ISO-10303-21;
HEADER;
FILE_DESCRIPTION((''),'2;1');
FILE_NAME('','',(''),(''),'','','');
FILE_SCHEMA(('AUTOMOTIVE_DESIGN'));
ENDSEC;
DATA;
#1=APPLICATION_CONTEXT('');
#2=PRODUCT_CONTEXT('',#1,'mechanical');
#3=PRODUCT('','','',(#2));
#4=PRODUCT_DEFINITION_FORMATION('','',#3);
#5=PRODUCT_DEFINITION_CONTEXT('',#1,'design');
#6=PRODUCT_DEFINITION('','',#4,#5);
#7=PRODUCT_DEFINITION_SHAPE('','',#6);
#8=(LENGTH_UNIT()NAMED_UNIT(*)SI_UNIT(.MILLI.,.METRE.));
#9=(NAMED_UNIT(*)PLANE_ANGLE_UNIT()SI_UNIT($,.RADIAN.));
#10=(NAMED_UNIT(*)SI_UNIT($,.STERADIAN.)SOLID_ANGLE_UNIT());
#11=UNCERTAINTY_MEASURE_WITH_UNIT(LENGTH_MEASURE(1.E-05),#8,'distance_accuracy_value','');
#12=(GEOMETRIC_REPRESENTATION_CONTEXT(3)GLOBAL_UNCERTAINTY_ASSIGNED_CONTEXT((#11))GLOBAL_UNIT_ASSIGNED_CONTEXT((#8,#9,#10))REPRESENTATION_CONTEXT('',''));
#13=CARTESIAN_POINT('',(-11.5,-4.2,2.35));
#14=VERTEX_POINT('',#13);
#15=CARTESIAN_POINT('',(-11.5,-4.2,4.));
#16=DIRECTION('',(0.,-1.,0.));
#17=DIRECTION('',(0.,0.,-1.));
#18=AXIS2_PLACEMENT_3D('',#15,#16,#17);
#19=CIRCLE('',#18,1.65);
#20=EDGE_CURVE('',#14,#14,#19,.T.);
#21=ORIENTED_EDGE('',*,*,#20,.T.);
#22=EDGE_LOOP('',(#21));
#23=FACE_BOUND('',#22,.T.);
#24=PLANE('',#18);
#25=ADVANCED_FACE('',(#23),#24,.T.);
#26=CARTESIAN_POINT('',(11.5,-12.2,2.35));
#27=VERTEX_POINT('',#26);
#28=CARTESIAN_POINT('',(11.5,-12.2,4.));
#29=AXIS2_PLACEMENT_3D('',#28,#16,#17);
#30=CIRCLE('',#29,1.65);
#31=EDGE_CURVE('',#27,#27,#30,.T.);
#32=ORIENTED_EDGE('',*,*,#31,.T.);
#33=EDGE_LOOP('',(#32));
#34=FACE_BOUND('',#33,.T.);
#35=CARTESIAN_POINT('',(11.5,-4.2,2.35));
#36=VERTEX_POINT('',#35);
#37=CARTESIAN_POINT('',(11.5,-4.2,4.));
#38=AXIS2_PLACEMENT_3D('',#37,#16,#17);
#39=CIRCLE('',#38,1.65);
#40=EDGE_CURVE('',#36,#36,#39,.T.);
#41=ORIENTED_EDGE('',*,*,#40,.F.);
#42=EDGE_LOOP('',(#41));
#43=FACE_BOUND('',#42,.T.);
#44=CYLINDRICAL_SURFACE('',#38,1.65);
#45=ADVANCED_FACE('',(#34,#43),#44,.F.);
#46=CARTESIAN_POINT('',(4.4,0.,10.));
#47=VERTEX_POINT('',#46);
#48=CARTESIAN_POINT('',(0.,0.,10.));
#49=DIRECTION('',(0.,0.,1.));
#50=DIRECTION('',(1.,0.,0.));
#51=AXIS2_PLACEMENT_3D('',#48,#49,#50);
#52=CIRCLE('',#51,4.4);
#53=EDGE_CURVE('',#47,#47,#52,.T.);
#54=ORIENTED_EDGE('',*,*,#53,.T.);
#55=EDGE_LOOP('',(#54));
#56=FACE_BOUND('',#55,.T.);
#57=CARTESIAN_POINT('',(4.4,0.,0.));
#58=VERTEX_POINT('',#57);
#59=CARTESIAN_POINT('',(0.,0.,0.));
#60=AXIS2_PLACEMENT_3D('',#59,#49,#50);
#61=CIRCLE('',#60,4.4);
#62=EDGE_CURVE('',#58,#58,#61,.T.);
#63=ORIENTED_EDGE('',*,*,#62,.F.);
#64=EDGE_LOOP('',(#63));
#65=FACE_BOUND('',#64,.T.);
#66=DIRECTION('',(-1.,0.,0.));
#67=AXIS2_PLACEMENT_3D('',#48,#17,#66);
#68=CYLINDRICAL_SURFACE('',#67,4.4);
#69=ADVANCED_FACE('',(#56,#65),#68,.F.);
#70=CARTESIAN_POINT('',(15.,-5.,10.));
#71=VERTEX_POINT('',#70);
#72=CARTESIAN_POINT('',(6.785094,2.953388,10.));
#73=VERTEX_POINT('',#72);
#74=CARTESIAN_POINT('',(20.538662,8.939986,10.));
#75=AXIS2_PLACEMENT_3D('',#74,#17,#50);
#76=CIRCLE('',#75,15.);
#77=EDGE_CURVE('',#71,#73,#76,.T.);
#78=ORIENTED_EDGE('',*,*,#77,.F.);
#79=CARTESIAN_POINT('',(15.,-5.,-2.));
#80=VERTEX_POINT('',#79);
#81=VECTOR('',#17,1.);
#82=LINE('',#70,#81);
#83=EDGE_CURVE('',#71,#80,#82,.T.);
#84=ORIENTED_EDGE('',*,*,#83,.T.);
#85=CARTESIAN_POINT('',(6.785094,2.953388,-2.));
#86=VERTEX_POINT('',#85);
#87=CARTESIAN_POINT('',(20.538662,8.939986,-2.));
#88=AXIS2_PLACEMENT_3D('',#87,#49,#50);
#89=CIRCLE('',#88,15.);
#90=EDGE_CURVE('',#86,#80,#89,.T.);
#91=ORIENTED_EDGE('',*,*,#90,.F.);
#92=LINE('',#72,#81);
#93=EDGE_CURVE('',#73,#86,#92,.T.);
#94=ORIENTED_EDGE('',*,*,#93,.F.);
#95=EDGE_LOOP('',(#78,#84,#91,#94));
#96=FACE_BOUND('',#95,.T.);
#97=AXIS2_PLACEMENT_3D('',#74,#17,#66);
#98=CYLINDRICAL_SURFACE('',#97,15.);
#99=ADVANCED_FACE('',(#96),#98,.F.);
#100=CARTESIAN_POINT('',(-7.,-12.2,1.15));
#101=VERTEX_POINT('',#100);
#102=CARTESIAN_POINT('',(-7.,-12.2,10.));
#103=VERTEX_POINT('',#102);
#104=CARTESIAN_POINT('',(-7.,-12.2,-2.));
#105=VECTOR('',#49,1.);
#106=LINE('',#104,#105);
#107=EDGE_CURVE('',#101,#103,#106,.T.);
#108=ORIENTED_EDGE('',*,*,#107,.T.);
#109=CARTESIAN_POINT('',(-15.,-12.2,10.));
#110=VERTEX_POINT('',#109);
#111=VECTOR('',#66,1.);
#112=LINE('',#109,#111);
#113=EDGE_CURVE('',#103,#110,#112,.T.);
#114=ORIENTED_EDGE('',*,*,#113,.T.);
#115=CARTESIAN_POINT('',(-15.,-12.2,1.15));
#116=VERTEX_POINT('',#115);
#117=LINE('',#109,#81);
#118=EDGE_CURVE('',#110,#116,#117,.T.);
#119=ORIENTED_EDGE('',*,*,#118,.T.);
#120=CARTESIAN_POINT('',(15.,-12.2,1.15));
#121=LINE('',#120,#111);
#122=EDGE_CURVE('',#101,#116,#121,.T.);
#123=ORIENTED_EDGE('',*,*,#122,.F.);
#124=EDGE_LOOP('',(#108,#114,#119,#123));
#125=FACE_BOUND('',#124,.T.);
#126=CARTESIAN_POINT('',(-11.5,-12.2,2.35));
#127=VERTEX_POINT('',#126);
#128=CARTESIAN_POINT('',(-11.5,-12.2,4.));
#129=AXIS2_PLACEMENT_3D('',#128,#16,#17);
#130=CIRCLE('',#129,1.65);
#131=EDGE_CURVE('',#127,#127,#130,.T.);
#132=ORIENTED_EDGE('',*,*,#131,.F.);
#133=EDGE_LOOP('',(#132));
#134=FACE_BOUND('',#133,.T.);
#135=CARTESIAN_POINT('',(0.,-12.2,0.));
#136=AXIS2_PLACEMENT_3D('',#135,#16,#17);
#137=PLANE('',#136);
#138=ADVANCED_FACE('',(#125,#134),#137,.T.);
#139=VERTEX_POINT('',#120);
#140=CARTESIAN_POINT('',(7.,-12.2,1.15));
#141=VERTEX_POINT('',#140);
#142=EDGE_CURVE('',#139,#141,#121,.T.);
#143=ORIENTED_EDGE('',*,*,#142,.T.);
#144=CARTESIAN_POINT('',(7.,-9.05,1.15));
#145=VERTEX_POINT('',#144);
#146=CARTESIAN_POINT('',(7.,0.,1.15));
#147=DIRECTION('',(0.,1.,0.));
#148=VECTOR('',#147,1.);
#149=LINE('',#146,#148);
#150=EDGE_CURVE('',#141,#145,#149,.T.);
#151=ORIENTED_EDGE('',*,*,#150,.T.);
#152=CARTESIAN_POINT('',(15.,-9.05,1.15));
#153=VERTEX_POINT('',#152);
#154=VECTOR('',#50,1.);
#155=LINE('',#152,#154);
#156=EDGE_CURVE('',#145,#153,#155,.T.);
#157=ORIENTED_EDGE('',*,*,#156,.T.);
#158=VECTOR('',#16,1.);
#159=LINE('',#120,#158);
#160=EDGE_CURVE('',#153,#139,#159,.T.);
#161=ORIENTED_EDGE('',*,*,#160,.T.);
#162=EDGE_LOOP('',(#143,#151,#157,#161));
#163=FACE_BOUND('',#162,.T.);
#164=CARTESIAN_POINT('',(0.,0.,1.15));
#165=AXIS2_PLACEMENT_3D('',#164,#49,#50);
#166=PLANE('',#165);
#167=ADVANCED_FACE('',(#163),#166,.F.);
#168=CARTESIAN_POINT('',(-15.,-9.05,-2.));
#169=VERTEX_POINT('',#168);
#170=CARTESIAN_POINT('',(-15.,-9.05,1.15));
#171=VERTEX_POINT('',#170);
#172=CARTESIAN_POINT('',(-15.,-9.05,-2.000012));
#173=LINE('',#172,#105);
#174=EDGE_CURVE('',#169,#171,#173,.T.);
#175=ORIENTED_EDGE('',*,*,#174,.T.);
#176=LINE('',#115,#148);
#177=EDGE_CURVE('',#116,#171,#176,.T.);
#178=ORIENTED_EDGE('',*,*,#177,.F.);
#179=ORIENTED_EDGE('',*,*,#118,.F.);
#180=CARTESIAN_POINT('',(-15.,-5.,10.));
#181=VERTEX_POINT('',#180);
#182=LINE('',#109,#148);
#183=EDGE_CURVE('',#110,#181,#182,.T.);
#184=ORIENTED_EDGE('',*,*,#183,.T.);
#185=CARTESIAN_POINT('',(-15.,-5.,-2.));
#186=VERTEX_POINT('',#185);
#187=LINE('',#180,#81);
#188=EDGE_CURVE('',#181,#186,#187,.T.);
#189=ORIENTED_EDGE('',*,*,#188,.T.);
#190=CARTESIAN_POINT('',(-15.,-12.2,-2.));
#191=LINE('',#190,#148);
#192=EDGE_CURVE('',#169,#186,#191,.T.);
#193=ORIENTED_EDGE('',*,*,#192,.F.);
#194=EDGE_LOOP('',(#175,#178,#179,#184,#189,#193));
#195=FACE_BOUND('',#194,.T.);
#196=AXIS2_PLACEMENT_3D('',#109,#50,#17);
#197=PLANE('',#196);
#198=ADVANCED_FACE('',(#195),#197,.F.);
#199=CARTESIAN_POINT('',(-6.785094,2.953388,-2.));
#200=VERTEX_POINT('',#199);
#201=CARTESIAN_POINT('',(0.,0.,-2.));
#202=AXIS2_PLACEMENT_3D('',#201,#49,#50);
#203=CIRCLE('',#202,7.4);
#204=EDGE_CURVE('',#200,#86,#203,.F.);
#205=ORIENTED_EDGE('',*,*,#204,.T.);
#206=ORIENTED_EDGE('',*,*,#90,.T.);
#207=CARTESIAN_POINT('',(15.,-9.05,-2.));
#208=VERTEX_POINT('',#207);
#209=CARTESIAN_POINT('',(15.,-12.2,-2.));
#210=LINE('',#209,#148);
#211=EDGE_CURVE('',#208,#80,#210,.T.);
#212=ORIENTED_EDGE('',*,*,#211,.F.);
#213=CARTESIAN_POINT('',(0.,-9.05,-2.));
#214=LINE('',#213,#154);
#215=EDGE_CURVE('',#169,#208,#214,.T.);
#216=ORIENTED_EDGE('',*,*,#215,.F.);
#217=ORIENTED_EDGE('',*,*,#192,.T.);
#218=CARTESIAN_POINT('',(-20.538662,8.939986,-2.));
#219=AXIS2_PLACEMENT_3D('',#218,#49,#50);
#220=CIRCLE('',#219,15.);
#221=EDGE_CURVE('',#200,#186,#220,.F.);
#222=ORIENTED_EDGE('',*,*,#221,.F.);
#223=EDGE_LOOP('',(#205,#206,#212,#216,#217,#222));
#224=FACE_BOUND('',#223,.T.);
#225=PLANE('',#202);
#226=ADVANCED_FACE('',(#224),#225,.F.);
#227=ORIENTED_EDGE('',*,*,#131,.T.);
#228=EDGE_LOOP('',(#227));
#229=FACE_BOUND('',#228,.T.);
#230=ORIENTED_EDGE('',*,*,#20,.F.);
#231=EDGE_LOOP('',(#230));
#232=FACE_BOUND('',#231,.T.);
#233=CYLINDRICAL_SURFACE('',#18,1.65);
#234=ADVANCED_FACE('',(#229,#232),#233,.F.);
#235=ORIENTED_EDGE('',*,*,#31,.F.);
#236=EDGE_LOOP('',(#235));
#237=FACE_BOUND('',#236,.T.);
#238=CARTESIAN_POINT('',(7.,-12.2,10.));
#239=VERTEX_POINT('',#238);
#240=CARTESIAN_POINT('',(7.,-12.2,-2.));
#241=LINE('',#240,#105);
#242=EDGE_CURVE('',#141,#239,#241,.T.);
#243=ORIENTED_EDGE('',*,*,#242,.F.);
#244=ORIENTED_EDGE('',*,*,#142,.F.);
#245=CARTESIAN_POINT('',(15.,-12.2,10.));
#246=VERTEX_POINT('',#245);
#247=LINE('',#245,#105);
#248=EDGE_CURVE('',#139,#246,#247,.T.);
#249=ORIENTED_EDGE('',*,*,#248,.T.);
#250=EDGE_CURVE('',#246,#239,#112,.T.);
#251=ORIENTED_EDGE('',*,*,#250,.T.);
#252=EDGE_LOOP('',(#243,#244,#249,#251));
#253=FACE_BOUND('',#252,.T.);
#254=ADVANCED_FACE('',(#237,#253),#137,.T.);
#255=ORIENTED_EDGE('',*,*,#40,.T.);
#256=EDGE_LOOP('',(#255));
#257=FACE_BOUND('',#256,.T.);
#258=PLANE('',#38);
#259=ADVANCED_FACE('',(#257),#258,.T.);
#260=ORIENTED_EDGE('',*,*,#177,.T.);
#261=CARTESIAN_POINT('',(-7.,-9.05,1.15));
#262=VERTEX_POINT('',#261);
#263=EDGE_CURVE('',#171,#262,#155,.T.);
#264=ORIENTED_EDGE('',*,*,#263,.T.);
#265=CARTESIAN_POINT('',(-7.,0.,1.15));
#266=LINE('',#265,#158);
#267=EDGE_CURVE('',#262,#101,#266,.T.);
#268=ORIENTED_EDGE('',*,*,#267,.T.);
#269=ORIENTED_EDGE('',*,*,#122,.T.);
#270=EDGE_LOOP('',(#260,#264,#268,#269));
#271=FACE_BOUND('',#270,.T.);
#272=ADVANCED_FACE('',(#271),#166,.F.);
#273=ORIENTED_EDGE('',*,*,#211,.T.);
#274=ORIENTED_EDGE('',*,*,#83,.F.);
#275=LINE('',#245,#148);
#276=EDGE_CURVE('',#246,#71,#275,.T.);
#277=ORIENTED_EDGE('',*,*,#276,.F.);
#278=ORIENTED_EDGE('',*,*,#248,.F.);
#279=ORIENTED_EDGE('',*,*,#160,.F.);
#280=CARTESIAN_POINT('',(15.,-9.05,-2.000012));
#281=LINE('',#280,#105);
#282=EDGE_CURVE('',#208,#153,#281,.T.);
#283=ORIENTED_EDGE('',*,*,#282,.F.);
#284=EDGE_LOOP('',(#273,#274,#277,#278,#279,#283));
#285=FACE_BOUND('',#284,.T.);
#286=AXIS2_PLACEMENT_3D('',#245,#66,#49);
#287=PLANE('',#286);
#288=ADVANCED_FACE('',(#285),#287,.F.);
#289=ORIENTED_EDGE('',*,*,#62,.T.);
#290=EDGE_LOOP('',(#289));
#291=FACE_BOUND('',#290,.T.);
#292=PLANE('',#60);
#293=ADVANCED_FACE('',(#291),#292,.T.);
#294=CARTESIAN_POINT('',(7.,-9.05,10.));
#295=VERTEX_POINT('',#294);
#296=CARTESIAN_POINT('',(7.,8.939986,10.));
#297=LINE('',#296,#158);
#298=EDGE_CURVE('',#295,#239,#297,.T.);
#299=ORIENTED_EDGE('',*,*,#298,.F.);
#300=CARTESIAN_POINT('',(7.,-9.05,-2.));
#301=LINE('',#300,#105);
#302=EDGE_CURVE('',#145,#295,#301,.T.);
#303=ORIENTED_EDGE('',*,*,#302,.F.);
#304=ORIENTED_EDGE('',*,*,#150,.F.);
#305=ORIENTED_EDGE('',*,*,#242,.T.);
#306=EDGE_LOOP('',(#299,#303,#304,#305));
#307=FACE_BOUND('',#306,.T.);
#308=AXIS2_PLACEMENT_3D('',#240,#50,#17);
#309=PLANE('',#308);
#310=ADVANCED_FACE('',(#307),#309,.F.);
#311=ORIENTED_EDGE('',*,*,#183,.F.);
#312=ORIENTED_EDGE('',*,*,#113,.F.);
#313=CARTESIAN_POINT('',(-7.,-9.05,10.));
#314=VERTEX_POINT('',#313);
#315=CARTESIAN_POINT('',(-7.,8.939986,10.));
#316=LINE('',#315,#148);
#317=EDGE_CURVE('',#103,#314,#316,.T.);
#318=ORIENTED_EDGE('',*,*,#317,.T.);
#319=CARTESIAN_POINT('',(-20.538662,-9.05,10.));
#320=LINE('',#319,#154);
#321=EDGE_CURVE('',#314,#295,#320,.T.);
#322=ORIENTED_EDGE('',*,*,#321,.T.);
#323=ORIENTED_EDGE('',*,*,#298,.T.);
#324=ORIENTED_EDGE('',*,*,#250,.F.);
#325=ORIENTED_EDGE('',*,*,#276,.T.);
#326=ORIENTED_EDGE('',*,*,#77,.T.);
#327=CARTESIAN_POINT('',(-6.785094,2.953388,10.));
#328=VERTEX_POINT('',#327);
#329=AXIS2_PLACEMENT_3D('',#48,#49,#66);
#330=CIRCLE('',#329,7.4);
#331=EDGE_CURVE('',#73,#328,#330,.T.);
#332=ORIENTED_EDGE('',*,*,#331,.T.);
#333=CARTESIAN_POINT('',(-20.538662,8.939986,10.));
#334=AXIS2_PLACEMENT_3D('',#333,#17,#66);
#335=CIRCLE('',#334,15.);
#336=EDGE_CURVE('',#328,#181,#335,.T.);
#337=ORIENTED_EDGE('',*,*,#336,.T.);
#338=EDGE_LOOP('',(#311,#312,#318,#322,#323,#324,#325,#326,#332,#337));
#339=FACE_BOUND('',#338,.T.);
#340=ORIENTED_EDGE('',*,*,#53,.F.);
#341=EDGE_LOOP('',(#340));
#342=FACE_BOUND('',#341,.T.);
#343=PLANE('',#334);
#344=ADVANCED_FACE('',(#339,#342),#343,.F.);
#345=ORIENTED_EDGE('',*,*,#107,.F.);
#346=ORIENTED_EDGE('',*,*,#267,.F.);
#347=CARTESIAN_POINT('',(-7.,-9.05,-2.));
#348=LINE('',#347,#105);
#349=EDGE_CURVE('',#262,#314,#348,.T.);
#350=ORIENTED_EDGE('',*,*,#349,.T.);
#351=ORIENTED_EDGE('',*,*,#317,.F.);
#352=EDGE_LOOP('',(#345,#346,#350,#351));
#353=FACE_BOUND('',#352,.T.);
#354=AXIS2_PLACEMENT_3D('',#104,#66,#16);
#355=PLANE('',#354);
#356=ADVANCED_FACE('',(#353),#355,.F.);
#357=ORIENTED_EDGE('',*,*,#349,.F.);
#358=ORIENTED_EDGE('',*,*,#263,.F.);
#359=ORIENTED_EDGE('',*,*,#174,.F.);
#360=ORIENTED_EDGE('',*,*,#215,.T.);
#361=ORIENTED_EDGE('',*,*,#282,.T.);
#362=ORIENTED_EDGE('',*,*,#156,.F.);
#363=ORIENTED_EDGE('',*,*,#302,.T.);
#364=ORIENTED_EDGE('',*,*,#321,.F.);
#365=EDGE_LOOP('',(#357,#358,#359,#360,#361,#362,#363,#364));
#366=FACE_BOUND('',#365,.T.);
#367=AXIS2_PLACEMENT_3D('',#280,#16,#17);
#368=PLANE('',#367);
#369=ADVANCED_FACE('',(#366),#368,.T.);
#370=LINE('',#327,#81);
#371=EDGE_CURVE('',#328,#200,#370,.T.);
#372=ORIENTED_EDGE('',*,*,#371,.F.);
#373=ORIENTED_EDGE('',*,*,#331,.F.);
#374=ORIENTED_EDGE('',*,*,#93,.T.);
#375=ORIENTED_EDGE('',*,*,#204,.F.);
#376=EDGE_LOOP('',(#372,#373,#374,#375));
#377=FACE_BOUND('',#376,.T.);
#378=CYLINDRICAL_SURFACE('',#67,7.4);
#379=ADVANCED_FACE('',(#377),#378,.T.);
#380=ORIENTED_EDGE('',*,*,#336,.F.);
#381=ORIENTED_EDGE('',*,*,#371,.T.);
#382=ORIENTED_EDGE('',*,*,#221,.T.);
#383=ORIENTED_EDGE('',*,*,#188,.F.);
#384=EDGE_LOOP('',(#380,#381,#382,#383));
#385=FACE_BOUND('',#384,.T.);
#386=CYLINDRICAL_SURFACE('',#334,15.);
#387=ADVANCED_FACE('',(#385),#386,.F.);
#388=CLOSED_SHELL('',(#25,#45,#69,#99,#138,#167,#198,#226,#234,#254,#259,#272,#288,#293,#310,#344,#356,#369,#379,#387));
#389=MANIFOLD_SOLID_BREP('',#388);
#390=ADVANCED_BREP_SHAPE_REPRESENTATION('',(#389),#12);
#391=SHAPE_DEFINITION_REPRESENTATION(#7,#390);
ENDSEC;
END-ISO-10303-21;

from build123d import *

# Parameters (mm, degrees)
SKETCH1_R               = 4.4
BOSS_EXTRUDE1_DEPTH     = 10
SKETCH1_2_R             = 4.4
BOSS_EXTRUDE2_DEPTH     = 2
SKETCH3_W               = 30
SKETCH3_H               = 12
BOSS_EXTRUDE4_DEPTH     = 7.2
CUT_EXTRUDE2_START      = -12.2
SKETCH2_R               = 1.65
CUT_EXTRUDE2_DEPTH      = 8
SKETCH5_W               = 30
SKETCH5_H               = 3.15
CUT_EXTRUDE3_DEPTH      = 23.756098084
CUT_EXTRUDE3_DEPTH_BACK = 3.15
SKETCH6_W               = 14
SKETCH6_H               = 3.15
CUT_EXTRUDE4_DEPTH      = 23.756098084
CUT_EXTRUDE4_DEPTH_BACK = 23.756098084


with BuildPart() as part:
    # Sketch1 → Boss-Extrude1 (new body)
    with BuildSketch(Plane.XY):
        with BuildLine():
            Line((-15, -5), (15, -5))
            ThreePointArc((15, -5), (10.104984149, -1.836764635), (6.785093744, 2.953388374))
            ThreePointArc((6.785093744, 2.953388374), (0, 7.4), (-6.785093744, 2.953388374))
            ThreePointArc((-6.785093744, 2.953388374), (-10.104984149, -1.836764635), (-15, -5))
        make_face()
        Circle(SKETCH1_R, mode=Mode.SUBTRACT)
    extrude(amount=BOSS_EXTRUDE1_DEPTH)

    # Sketch1<2> → Boss-Extrude2 (add)
    with BuildSketch(Plane.XY):
        with BuildLine():
            ThreePointArc((-6.785093744, 2.953388374), (0, 7.4), (6.785093744, 2.953388374))
            ThreePointArc((6.785093744, 2.953388374), (10.104984149, -1.836764635), (15, -5))
            Line((15, -5), (-15, -5))
            ThreePointArc((-15, -5), (-10.104984149, -1.836764635), (-6.785093744, 2.953388374))
        make_face()
        Circle(SKETCH1_2_R, mode=Mode.SUBTRACT)
        Circle(SKETCH1_2_R)
    extrude(amount=-BOSS_EXTRUDE2_DEPTH)

    # Sketch3 → Boss-Extrude4 (add)
    with BuildSketch(Plane.XZ.offset(5)):
        with Locations((0, 4)):
            Rectangle(SKETCH3_W, SKETCH3_H)
    extrude(amount=BOSS_EXTRUDE4_DEPTH)

    # Sketch2 → Cut-Extrude2 (cut)
    with BuildSketch(Plane(origin=(0, 0, 0), x_dir=(1, 0, 0), z_dir=(0, 1, 0)).offset(CUT_EXTRUDE2_START)):
        with Locations(Location((-11.5, -4, 0), (0, 0, 90))):
            Circle(SKETCH2_R)
        with Locations(Location((11.5, -4, 0), (0, 0, 90))):
            Circle(SKETCH2_R)
    extrude(amount=CUT_EXTRUDE2_DEPTH, mode=Mode.SUBTRACT)

    # Sketch5 → Cut-Extrude3 (cut, two sides)
    with BuildSketch(Plane(origin=(0, 0, -2), x_dir=(-1, 0, 0), z_dir=(0, 0, -1))) as cut_extrude3_sk:
        with Locations((0, -10.625)):
            Rectangle(SKETCH5_W, SKETCH5_H)
    extrude(amount=CUT_EXTRUDE3_DEPTH, mode=Mode.SUBTRACT)
    extrude(cut_extrude3_sk.sketch, amount=-CUT_EXTRUDE3_DEPTH_BACK, mode=Mode.SUBTRACT)

    # Sketch6 → Cut-Extrude4 (cut, two sides)
    with BuildSketch(Plane.XY.offset(10)) as cut_extrude4_sk:
        with Locations((0, -10.625)):
            Rectangle(SKETCH6_W, SKETCH6_H)
    extrude(amount=CUT_EXTRUDE4_DEPTH, mode=Mode.SUBTRACT)
    extrude(cut_extrude4_sk.sketch, amount=-CUT_EXTRUDE4_DEPTH_BACK, mode=Mode.SUBTRACT)


solid = part.part
